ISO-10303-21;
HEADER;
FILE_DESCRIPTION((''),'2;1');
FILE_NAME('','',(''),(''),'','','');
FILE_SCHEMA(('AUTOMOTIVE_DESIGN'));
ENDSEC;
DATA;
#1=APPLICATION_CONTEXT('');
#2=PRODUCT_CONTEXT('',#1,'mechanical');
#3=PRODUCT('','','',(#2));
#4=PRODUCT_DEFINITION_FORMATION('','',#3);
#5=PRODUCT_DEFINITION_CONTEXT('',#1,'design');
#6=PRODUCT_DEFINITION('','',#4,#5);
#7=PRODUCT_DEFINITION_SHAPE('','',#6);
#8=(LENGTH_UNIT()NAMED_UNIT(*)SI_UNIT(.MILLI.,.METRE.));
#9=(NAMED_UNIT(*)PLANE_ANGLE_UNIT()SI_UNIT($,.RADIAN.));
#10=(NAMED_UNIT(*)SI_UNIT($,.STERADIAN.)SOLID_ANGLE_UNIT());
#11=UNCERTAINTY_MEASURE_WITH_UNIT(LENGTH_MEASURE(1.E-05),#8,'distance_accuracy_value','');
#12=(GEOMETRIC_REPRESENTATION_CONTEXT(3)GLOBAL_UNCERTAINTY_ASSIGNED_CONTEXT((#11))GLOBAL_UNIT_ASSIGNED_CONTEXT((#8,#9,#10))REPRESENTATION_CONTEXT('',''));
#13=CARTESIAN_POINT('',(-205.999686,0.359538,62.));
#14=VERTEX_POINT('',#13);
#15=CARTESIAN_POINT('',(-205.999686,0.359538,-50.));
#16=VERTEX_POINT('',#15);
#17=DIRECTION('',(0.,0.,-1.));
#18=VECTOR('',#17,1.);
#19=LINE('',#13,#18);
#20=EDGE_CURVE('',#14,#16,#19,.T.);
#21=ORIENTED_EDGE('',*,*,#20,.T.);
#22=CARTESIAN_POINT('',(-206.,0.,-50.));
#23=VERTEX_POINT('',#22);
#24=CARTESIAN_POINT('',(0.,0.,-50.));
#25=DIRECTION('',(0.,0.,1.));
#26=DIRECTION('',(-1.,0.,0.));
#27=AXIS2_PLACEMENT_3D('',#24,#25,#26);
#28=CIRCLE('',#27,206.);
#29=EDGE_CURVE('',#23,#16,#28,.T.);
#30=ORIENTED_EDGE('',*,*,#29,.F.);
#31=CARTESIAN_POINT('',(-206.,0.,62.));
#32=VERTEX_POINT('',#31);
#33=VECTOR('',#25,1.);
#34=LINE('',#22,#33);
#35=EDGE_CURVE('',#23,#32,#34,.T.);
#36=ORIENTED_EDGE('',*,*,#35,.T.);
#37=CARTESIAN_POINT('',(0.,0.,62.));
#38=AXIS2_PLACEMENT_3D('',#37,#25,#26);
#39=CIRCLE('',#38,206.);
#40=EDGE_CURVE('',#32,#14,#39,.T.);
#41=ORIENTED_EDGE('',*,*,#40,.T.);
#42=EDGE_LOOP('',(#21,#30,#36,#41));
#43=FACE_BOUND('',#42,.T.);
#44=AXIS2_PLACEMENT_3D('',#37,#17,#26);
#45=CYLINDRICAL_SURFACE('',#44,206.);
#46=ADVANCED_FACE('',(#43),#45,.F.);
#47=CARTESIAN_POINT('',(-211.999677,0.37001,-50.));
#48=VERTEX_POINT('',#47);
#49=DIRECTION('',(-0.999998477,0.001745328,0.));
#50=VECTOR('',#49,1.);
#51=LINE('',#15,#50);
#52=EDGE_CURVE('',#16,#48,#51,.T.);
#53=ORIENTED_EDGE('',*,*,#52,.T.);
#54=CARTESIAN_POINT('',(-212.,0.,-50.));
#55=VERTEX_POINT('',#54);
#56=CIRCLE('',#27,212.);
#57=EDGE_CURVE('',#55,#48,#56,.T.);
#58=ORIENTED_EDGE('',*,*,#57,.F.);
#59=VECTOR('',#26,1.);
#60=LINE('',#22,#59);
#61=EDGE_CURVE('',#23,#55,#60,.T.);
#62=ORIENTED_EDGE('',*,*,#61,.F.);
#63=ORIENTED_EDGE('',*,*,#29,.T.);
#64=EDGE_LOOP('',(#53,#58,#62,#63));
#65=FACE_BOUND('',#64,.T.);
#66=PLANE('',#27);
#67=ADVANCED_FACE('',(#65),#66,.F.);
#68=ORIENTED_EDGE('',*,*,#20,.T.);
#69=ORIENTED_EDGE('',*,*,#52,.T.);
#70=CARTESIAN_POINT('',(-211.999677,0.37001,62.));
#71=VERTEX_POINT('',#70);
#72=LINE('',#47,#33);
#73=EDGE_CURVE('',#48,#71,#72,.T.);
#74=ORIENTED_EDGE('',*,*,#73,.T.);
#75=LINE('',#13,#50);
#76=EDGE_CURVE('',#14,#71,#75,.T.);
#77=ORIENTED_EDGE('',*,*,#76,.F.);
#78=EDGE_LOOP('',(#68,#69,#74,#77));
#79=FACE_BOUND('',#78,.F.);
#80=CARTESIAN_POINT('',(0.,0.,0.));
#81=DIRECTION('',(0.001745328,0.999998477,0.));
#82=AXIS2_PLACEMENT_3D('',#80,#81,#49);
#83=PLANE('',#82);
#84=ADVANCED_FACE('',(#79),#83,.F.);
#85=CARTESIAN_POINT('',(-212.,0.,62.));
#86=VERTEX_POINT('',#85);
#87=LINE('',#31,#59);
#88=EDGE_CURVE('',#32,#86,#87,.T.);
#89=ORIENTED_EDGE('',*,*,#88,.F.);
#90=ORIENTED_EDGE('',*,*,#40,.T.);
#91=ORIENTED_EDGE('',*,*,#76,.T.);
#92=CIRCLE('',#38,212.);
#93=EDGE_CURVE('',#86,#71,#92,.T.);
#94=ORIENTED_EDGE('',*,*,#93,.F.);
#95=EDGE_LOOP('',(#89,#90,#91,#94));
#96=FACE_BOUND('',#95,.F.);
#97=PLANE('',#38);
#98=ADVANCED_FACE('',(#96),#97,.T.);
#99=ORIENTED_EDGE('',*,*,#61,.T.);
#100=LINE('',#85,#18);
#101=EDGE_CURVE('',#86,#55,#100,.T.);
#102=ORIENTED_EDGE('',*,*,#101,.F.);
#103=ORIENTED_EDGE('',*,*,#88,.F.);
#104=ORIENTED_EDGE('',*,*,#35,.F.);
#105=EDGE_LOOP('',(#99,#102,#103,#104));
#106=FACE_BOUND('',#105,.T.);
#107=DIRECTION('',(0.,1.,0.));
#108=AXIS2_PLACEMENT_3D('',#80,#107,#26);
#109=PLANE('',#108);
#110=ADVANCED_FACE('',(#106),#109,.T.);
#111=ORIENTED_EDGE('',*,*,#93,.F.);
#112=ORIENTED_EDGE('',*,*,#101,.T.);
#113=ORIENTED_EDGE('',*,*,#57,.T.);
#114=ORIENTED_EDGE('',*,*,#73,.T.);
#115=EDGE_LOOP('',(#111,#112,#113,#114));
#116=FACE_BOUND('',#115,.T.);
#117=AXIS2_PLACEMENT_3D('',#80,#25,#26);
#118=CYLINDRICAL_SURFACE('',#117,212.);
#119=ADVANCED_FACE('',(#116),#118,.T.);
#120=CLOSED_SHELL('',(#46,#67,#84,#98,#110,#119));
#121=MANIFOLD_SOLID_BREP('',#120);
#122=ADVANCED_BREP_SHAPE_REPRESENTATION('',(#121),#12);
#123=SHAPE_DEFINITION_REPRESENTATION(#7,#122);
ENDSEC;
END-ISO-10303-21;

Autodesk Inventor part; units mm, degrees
ref_plane "YZ Plane" through (0, 0, 0) normal (1, 0, 0) x (0, 1, 0)
ref_plane "XZ Plane" through (0, 0, 0) normal (0, 1, 0) x (-1, 0, 0)
ref_plane "XY Plane" through (0, 0, 0) normal (0, 0, 1) x (1, 0, 0)
sketch "Sketch1" plane through (0, 0, 0) normal (0, 1, 0) x (-1, 0, 0)
  line L0 (206, 62) -> (206, 0)
  line L1 (206, 0) -> (212, 0)
  line L2 (0, 0) -> (0, 109.131)
  line L3 (206, 62) -> (212, 62)
  line L4 (212, 0) -> (212, 62)
  line L5 (212, 0) -> (206, 0)
  line L6 (206, 0) -> (206, -50)
  line L7 (206, -50) -> (212, -50)
  line L8 (212, -50) -> (212, 0)
  point P0 (209, 0)
  point P1 (212, 0)
  point P2 (206, 0)
  point P3 (206, 0)
  dimension "d3" = 6
  dimension "d5" = 62
  dimension "d7" = 6
  dimension "d8" = 50
  dimension "d12" = 424
revolve "Revolution1" add sketch "Sketch1" angle 359.9 about axis through (0, 0, 0) along (0, 0, 1)
sketch "Sketch2" plane through (0, 0, 0) normal (0, 1, 0) x (-1, 0, 0)
  circle A0 centre (0, -606) radius 606
  point P0 (0, 0)
  dimension "d9" = 1212
extrude "Extrusion1" [suppressed]
equation "\"d5\" = Accsess_hatch_lenght"
equation "\"d7\" = d3"
equation "\"BendRadius\" = Thickness"
equation "\"BendReliefWidth\" = Thickness"
equation "\"BendReliefDepth\" = 0.5 * Thickness"
equation "\"CornerReliefSize\" = 4 * Thickness"
equation "\"MinimumRemnant\" = 2 * Thickness"
equation "\"TransitionRadius\" = BendRadius"
equation "\"JacobiRadiusSize\" = BendRadius"
equation "\"GapSize\" = Thickness"
equation "\"Accsess_hatch_lenght\" = 62"
equation "\"Thickness\" = 6"
properties part number "TZS 1204 accses hatch tube" material "Steel"
